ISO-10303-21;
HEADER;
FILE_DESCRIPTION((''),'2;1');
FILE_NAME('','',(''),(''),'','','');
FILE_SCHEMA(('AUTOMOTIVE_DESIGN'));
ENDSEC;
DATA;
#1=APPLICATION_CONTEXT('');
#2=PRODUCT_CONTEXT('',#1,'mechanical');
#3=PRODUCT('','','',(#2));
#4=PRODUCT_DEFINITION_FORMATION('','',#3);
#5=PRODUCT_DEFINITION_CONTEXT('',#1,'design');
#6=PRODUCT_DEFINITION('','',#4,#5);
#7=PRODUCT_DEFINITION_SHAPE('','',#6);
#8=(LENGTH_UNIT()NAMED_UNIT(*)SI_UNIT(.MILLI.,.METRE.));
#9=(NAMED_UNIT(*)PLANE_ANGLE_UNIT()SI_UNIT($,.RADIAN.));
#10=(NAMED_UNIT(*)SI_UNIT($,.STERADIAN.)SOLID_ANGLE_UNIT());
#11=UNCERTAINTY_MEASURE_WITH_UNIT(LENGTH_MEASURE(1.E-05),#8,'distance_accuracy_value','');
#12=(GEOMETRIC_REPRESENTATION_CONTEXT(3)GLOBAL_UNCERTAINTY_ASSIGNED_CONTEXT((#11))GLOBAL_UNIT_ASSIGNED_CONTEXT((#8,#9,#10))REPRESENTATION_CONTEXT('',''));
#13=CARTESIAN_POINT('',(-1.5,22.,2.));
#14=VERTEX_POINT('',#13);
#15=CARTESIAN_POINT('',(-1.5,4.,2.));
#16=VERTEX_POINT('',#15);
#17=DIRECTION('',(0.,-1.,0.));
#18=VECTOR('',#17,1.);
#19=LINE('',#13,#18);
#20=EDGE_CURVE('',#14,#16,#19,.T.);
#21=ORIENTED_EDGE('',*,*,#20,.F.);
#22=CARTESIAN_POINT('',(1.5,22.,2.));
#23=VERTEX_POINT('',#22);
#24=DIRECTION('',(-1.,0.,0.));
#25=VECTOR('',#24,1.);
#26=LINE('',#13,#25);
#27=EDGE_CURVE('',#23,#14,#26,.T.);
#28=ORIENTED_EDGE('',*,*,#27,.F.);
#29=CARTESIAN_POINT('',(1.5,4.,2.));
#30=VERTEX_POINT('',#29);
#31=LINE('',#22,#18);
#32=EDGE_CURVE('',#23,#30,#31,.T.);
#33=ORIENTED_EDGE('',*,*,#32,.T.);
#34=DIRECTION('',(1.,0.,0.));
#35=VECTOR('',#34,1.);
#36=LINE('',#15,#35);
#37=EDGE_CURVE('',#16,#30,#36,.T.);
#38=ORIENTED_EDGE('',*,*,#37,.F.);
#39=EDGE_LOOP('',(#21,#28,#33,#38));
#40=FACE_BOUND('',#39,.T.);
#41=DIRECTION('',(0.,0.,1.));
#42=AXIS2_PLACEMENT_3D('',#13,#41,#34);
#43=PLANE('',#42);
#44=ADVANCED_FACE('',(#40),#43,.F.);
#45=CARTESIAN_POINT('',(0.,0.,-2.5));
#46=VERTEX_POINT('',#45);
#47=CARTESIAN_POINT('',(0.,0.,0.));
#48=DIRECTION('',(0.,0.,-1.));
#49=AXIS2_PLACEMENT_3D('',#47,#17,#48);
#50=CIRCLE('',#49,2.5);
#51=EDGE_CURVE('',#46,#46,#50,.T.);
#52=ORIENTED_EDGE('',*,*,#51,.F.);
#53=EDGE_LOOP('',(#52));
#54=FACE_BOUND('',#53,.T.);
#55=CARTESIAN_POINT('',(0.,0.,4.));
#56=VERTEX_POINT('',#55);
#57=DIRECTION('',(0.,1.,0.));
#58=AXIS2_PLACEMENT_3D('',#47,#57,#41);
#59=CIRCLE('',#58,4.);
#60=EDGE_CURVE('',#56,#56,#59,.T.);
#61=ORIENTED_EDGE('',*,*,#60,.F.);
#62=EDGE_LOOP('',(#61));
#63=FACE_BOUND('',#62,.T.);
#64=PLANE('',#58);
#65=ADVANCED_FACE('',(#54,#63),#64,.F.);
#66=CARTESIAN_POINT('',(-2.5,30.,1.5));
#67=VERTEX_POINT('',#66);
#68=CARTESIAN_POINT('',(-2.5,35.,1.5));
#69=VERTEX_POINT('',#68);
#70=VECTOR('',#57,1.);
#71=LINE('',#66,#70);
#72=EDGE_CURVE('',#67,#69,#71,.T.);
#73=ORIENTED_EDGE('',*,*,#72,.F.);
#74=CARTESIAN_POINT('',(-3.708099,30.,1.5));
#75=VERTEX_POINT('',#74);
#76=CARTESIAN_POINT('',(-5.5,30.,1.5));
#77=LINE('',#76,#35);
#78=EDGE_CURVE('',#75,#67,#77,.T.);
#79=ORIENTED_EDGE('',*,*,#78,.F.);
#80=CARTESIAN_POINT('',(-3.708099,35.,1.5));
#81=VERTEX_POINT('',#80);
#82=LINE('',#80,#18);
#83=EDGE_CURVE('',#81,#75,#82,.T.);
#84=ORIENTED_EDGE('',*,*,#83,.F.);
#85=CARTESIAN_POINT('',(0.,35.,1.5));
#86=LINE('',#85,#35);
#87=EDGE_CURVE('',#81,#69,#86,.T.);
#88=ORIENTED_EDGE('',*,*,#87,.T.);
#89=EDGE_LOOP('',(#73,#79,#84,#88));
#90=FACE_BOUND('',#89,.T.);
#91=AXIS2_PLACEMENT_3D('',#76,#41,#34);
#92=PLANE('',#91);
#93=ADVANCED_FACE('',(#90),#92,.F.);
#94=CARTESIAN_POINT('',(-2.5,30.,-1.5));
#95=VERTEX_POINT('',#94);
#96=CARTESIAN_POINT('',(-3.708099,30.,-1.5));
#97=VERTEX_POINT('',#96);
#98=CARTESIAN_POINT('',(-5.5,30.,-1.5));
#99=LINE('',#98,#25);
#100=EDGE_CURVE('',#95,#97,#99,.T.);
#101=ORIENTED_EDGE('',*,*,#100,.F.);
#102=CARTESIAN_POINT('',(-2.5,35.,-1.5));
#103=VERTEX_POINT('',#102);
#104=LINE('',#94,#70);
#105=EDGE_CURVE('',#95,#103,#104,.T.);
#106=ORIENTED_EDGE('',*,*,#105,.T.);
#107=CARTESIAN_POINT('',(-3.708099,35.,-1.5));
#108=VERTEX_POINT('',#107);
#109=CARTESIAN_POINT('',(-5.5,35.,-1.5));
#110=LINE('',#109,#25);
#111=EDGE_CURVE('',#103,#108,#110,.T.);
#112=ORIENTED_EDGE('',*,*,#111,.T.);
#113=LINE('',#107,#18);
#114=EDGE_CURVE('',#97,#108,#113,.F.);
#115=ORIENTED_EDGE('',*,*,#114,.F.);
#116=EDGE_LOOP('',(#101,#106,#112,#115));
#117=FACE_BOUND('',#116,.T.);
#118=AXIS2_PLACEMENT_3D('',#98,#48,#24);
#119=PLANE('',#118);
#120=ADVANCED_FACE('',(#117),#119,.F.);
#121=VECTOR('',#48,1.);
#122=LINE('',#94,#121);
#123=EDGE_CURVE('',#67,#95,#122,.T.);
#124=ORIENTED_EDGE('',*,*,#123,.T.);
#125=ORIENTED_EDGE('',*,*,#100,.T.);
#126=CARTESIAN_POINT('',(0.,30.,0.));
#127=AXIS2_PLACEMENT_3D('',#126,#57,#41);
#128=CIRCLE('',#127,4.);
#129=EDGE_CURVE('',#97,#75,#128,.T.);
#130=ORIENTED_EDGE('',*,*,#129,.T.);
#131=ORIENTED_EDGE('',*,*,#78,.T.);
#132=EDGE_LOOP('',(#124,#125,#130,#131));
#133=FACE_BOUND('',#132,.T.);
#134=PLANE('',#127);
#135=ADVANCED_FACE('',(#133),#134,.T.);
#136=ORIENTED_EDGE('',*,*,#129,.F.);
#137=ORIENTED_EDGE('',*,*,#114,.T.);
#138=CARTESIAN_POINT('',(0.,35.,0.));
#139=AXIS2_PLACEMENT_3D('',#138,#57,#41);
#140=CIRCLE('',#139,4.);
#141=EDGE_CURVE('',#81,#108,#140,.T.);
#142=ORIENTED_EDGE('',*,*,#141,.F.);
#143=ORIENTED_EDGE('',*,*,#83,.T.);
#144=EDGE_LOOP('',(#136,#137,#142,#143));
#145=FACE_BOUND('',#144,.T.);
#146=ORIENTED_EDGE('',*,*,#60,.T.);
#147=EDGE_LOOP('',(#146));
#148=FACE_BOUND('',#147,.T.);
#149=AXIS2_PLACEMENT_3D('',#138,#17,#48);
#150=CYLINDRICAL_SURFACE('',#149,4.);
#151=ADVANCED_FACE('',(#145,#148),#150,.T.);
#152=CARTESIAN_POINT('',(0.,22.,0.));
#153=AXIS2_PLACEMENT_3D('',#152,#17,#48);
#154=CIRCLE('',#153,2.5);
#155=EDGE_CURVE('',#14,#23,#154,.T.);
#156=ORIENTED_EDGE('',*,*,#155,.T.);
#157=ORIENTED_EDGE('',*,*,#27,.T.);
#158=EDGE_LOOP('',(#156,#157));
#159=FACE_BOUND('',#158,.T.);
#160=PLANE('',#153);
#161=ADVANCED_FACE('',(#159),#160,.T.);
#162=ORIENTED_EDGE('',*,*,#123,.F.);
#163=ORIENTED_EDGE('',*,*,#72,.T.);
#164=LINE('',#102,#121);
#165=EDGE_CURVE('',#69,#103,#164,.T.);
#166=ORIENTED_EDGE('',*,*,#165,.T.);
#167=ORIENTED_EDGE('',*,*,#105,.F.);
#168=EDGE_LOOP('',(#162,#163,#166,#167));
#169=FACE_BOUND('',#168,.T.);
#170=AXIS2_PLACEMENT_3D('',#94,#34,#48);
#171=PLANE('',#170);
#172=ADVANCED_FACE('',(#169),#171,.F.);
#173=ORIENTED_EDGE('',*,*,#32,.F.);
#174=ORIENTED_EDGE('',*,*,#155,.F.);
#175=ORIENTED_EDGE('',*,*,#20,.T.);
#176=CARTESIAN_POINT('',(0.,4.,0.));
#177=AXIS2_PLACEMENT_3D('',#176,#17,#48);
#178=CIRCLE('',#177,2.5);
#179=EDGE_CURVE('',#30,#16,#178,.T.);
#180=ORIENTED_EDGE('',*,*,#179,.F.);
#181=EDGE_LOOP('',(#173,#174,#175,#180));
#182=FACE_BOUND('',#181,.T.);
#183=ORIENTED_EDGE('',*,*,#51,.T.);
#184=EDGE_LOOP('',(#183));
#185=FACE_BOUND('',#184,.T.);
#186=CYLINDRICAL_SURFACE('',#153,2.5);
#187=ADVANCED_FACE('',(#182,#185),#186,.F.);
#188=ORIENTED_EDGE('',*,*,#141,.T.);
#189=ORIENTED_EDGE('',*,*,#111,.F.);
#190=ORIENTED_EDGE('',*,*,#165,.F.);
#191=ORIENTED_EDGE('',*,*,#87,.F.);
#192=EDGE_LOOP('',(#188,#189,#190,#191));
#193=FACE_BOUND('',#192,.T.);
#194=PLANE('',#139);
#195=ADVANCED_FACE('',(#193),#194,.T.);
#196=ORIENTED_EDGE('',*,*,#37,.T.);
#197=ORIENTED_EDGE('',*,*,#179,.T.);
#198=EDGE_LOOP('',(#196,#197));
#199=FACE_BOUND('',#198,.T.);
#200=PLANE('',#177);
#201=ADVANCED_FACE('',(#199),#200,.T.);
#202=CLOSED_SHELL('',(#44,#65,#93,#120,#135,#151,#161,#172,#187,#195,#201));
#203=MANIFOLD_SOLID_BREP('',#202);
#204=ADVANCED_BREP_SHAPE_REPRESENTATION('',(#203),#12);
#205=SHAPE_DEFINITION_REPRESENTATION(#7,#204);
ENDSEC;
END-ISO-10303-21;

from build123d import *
from build123d.topology import SkipClean

# Parameters (mm, degrees)
SKETCH1_R           = 4
BOSS_EXTRUDE1_DEPTH = 35
CUT_EXTRUDE1_DEPTH  = 22
SKETCH3_R           = 2.5
CUT_EXTRUDE2_DEPTH  = 4
SKETCH4_W           = 3
SKETCH4_H           = 3
CUT_EXTRUDE3_DEPTH  = 5


with BuildPart() as part:
    # Sketch1 → Boss-Extrude1 (new body)
    with BuildSketch(Plane(origin=(0, 0, 0), x_dir=(1, 0, 0), z_dir=(0, 1, 0))):
        with Locations(Location((0, 0, 0), (0, 0, 270))):
            Circle(SKETCH1_R)
    extrude(amount=BOSS_EXTRUDE1_DEPTH)

    # Sketch2 → Cut-Extrude1 (cut)
    with BuildSketch(Plane.XZ):
        with BuildLine():
            Line((-1.5, 2), (1.5, 2))
            ThreePointArc((1.5, 2), (0, -2.5), (-1.5, 2))
        make_face()
    extrude(amount=-CUT_EXTRUDE1_DEPTH, mode=Mode.SUBTRACT)

    # Sketch3 → Cut-Extrude2 (cut)
    with SkipClean():  # the faces are left unmerged after this step: merging them gives an invalid solid
        with BuildSketch(Plane.XZ):
            with Locations(Location((0, 0, 0), (0, 0, 270))):
                Circle(SKETCH3_R)
        extrude(amount=-CUT_EXTRUDE2_DEPTH, mode=Mode.SUBTRACT)

    # Sketch4 → Cut-Extrude3 (cut)
    with SkipClean():  # the faces are left unmerged after this step: merging them gives an invalid solid
        with BuildSketch(Plane(origin=(0, 35, 0), x_dir=(1, 0, 0), z_dir=(0, 1, 0))):
            with Locations((-4, 0)):
                Rectangle(SKETCH4_W, SKETCH4_H)
        extrude(amount=-CUT_EXTRUDE3_DEPTH, mode=Mode.SUBTRACT)


solid = part.part
